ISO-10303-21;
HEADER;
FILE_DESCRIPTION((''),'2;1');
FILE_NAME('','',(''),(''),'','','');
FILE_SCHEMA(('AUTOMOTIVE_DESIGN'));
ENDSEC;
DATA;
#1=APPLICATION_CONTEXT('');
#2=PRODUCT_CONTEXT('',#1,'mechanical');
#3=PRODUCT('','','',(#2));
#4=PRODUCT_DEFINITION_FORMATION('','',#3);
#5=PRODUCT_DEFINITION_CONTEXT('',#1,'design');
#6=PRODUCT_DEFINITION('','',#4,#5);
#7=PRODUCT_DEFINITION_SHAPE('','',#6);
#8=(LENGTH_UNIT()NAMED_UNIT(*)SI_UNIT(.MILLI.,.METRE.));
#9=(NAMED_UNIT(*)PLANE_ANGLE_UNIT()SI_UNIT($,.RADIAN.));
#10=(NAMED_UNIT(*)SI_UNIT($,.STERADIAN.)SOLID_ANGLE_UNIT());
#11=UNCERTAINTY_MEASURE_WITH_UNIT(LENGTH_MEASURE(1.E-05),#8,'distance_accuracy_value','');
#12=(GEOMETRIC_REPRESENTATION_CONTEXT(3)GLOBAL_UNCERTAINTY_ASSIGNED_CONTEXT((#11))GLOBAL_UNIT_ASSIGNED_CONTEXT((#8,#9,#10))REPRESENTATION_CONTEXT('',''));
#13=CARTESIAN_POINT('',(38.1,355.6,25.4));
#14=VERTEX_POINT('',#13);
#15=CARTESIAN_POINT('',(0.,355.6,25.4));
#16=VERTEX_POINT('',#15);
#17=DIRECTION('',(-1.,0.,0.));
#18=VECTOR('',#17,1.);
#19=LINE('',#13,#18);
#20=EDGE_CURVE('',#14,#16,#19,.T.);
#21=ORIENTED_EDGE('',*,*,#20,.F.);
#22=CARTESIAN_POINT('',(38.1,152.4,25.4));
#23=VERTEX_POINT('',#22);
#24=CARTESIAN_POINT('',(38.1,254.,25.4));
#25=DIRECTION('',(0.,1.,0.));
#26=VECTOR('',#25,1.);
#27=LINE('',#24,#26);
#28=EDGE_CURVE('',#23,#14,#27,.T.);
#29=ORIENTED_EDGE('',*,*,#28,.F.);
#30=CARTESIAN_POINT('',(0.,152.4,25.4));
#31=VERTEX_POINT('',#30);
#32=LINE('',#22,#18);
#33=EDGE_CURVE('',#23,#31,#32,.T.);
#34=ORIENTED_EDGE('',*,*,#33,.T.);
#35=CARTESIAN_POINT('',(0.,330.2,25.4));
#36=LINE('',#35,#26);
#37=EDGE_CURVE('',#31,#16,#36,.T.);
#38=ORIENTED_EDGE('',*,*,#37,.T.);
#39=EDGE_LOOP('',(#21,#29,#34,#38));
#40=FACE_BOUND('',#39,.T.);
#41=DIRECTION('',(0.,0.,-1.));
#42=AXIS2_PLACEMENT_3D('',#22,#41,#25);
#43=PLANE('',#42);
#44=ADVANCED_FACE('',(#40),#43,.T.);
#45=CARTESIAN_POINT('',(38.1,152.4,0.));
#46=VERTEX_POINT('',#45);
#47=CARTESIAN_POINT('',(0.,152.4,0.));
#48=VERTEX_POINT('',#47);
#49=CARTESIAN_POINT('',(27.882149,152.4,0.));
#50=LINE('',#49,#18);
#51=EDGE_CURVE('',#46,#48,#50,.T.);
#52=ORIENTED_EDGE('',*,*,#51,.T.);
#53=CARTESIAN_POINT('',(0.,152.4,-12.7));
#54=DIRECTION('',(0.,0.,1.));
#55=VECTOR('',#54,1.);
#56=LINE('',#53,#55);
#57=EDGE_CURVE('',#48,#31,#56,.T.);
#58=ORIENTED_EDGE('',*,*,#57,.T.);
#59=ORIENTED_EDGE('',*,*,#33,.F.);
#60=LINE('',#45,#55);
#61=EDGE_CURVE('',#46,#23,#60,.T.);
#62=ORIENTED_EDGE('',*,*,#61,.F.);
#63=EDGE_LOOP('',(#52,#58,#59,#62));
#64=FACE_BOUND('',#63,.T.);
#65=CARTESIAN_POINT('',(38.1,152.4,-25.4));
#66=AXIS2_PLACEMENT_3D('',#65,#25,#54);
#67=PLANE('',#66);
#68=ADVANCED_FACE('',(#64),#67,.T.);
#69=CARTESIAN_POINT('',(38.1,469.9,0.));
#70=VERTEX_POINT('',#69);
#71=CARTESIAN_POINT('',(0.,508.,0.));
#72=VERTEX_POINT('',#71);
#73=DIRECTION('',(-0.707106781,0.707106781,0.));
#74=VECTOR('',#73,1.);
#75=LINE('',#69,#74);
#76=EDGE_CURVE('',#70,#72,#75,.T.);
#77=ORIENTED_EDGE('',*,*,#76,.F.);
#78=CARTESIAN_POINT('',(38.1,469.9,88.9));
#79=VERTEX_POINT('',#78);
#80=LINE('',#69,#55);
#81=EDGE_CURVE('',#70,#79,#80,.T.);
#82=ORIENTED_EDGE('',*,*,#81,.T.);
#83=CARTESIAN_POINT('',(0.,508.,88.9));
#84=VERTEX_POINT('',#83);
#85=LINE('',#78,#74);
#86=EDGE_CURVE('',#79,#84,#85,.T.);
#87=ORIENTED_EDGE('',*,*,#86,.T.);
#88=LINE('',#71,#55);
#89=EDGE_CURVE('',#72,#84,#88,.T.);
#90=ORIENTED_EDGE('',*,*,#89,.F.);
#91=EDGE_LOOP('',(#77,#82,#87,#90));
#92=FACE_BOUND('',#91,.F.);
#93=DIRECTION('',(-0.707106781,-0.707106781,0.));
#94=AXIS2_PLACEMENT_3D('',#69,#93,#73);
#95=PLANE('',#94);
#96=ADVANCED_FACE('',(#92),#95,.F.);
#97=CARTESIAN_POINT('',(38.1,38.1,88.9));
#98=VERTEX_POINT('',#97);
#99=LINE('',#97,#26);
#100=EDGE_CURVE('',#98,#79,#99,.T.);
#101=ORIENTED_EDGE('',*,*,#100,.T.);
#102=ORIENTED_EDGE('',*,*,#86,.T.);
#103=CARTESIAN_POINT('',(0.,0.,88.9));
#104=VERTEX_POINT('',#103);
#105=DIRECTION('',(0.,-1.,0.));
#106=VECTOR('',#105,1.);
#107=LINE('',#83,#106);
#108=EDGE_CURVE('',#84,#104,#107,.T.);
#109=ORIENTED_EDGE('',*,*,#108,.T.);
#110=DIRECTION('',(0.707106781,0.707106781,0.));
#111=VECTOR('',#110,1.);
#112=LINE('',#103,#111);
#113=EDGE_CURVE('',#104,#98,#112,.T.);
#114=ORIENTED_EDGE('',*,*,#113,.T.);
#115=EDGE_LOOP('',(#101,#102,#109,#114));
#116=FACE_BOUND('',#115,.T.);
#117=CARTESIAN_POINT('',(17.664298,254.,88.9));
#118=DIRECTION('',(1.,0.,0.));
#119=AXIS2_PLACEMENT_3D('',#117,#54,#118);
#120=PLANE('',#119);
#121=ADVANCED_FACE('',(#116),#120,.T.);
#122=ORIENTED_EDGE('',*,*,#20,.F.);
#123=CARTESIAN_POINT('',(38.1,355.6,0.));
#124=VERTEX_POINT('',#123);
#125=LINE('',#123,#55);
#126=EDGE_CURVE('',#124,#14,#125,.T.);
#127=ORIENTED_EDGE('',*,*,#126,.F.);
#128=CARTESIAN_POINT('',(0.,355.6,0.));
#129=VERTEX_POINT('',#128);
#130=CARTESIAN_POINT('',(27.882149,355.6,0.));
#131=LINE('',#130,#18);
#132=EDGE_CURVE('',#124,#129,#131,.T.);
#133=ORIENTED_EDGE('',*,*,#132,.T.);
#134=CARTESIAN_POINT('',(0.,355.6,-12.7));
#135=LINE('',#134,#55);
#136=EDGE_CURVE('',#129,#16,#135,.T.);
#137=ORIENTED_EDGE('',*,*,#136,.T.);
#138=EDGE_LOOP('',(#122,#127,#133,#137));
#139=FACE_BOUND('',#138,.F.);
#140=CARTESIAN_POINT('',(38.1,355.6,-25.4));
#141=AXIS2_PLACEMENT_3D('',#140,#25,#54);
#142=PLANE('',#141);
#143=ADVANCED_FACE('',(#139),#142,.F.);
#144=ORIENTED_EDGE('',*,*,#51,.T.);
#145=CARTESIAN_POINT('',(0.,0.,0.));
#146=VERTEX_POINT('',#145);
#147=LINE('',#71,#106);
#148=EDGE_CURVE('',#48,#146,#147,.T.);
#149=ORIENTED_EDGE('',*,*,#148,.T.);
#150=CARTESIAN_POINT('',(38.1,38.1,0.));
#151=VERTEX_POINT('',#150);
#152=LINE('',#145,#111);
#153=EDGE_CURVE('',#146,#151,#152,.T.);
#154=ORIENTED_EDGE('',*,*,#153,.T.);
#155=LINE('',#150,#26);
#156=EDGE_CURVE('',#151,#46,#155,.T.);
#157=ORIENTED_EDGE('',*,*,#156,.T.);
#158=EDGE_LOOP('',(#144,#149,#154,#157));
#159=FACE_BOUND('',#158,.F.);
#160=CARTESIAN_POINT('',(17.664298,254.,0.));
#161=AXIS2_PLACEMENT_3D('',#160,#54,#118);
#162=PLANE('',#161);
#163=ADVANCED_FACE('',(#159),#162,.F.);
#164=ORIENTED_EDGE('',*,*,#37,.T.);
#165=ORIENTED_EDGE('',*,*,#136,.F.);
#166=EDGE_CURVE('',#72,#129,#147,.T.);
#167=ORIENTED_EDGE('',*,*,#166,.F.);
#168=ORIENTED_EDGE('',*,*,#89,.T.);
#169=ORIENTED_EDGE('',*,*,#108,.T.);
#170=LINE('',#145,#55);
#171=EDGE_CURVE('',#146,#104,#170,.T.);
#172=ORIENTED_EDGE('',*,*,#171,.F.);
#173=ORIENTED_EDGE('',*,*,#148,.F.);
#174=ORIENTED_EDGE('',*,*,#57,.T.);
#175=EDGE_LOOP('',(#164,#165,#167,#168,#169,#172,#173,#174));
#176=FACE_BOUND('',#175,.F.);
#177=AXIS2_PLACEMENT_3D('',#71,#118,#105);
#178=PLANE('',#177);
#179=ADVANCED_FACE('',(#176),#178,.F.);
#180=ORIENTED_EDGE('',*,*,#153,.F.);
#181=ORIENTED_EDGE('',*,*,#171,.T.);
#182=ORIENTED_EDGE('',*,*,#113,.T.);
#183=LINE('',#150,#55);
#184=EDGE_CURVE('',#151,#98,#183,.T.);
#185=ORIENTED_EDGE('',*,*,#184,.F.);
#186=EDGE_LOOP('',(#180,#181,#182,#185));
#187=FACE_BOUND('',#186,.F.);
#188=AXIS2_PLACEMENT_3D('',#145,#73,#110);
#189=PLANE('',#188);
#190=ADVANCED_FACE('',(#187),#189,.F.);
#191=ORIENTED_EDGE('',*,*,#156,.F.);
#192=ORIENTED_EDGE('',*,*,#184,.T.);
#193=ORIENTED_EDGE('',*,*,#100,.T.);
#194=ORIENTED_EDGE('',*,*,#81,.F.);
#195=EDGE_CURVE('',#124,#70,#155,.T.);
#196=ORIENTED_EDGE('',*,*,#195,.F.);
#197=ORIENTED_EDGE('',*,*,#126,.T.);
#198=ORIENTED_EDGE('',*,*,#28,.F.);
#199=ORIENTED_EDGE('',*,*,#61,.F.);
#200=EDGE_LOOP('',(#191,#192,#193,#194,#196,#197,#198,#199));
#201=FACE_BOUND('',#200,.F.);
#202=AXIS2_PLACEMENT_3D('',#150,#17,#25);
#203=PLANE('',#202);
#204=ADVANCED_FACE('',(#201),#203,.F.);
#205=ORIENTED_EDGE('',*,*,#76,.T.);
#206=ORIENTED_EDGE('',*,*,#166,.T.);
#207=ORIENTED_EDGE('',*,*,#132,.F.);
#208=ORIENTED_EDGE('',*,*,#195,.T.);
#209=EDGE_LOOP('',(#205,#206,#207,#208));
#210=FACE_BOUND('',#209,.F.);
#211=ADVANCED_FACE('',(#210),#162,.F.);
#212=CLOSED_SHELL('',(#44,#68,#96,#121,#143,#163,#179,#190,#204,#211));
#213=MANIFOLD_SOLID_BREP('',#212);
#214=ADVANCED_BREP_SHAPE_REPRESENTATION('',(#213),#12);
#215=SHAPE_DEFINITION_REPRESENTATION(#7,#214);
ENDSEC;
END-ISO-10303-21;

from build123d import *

# Parameters (mm, degrees)
F1_DEPTH = 88.9
F2_W     = 203.2
F2_H     = 50.8
F3_DEPTH = 72.804831


with BuildPart() as f1:
    # F0 (on Top) → F1 (new body)
    with BuildSketch(Plane.XY):
        Polygon((0, 508), (0, 0), (38.1, 38.1), (38.1, 469.9), align=None)
    extrude(amount=F1_DEPTH)

    # F2 (on face) → F3 (cut)
    with BuildSketch(Plane.YZ.offset(38.1)):
        with Locations((254, 0)):
            Rectangle(F2_W, F2_H)
    extrude(amount=-F3_DEPTH, mode=Mode.SUBTRACT)


solid = f1.part
